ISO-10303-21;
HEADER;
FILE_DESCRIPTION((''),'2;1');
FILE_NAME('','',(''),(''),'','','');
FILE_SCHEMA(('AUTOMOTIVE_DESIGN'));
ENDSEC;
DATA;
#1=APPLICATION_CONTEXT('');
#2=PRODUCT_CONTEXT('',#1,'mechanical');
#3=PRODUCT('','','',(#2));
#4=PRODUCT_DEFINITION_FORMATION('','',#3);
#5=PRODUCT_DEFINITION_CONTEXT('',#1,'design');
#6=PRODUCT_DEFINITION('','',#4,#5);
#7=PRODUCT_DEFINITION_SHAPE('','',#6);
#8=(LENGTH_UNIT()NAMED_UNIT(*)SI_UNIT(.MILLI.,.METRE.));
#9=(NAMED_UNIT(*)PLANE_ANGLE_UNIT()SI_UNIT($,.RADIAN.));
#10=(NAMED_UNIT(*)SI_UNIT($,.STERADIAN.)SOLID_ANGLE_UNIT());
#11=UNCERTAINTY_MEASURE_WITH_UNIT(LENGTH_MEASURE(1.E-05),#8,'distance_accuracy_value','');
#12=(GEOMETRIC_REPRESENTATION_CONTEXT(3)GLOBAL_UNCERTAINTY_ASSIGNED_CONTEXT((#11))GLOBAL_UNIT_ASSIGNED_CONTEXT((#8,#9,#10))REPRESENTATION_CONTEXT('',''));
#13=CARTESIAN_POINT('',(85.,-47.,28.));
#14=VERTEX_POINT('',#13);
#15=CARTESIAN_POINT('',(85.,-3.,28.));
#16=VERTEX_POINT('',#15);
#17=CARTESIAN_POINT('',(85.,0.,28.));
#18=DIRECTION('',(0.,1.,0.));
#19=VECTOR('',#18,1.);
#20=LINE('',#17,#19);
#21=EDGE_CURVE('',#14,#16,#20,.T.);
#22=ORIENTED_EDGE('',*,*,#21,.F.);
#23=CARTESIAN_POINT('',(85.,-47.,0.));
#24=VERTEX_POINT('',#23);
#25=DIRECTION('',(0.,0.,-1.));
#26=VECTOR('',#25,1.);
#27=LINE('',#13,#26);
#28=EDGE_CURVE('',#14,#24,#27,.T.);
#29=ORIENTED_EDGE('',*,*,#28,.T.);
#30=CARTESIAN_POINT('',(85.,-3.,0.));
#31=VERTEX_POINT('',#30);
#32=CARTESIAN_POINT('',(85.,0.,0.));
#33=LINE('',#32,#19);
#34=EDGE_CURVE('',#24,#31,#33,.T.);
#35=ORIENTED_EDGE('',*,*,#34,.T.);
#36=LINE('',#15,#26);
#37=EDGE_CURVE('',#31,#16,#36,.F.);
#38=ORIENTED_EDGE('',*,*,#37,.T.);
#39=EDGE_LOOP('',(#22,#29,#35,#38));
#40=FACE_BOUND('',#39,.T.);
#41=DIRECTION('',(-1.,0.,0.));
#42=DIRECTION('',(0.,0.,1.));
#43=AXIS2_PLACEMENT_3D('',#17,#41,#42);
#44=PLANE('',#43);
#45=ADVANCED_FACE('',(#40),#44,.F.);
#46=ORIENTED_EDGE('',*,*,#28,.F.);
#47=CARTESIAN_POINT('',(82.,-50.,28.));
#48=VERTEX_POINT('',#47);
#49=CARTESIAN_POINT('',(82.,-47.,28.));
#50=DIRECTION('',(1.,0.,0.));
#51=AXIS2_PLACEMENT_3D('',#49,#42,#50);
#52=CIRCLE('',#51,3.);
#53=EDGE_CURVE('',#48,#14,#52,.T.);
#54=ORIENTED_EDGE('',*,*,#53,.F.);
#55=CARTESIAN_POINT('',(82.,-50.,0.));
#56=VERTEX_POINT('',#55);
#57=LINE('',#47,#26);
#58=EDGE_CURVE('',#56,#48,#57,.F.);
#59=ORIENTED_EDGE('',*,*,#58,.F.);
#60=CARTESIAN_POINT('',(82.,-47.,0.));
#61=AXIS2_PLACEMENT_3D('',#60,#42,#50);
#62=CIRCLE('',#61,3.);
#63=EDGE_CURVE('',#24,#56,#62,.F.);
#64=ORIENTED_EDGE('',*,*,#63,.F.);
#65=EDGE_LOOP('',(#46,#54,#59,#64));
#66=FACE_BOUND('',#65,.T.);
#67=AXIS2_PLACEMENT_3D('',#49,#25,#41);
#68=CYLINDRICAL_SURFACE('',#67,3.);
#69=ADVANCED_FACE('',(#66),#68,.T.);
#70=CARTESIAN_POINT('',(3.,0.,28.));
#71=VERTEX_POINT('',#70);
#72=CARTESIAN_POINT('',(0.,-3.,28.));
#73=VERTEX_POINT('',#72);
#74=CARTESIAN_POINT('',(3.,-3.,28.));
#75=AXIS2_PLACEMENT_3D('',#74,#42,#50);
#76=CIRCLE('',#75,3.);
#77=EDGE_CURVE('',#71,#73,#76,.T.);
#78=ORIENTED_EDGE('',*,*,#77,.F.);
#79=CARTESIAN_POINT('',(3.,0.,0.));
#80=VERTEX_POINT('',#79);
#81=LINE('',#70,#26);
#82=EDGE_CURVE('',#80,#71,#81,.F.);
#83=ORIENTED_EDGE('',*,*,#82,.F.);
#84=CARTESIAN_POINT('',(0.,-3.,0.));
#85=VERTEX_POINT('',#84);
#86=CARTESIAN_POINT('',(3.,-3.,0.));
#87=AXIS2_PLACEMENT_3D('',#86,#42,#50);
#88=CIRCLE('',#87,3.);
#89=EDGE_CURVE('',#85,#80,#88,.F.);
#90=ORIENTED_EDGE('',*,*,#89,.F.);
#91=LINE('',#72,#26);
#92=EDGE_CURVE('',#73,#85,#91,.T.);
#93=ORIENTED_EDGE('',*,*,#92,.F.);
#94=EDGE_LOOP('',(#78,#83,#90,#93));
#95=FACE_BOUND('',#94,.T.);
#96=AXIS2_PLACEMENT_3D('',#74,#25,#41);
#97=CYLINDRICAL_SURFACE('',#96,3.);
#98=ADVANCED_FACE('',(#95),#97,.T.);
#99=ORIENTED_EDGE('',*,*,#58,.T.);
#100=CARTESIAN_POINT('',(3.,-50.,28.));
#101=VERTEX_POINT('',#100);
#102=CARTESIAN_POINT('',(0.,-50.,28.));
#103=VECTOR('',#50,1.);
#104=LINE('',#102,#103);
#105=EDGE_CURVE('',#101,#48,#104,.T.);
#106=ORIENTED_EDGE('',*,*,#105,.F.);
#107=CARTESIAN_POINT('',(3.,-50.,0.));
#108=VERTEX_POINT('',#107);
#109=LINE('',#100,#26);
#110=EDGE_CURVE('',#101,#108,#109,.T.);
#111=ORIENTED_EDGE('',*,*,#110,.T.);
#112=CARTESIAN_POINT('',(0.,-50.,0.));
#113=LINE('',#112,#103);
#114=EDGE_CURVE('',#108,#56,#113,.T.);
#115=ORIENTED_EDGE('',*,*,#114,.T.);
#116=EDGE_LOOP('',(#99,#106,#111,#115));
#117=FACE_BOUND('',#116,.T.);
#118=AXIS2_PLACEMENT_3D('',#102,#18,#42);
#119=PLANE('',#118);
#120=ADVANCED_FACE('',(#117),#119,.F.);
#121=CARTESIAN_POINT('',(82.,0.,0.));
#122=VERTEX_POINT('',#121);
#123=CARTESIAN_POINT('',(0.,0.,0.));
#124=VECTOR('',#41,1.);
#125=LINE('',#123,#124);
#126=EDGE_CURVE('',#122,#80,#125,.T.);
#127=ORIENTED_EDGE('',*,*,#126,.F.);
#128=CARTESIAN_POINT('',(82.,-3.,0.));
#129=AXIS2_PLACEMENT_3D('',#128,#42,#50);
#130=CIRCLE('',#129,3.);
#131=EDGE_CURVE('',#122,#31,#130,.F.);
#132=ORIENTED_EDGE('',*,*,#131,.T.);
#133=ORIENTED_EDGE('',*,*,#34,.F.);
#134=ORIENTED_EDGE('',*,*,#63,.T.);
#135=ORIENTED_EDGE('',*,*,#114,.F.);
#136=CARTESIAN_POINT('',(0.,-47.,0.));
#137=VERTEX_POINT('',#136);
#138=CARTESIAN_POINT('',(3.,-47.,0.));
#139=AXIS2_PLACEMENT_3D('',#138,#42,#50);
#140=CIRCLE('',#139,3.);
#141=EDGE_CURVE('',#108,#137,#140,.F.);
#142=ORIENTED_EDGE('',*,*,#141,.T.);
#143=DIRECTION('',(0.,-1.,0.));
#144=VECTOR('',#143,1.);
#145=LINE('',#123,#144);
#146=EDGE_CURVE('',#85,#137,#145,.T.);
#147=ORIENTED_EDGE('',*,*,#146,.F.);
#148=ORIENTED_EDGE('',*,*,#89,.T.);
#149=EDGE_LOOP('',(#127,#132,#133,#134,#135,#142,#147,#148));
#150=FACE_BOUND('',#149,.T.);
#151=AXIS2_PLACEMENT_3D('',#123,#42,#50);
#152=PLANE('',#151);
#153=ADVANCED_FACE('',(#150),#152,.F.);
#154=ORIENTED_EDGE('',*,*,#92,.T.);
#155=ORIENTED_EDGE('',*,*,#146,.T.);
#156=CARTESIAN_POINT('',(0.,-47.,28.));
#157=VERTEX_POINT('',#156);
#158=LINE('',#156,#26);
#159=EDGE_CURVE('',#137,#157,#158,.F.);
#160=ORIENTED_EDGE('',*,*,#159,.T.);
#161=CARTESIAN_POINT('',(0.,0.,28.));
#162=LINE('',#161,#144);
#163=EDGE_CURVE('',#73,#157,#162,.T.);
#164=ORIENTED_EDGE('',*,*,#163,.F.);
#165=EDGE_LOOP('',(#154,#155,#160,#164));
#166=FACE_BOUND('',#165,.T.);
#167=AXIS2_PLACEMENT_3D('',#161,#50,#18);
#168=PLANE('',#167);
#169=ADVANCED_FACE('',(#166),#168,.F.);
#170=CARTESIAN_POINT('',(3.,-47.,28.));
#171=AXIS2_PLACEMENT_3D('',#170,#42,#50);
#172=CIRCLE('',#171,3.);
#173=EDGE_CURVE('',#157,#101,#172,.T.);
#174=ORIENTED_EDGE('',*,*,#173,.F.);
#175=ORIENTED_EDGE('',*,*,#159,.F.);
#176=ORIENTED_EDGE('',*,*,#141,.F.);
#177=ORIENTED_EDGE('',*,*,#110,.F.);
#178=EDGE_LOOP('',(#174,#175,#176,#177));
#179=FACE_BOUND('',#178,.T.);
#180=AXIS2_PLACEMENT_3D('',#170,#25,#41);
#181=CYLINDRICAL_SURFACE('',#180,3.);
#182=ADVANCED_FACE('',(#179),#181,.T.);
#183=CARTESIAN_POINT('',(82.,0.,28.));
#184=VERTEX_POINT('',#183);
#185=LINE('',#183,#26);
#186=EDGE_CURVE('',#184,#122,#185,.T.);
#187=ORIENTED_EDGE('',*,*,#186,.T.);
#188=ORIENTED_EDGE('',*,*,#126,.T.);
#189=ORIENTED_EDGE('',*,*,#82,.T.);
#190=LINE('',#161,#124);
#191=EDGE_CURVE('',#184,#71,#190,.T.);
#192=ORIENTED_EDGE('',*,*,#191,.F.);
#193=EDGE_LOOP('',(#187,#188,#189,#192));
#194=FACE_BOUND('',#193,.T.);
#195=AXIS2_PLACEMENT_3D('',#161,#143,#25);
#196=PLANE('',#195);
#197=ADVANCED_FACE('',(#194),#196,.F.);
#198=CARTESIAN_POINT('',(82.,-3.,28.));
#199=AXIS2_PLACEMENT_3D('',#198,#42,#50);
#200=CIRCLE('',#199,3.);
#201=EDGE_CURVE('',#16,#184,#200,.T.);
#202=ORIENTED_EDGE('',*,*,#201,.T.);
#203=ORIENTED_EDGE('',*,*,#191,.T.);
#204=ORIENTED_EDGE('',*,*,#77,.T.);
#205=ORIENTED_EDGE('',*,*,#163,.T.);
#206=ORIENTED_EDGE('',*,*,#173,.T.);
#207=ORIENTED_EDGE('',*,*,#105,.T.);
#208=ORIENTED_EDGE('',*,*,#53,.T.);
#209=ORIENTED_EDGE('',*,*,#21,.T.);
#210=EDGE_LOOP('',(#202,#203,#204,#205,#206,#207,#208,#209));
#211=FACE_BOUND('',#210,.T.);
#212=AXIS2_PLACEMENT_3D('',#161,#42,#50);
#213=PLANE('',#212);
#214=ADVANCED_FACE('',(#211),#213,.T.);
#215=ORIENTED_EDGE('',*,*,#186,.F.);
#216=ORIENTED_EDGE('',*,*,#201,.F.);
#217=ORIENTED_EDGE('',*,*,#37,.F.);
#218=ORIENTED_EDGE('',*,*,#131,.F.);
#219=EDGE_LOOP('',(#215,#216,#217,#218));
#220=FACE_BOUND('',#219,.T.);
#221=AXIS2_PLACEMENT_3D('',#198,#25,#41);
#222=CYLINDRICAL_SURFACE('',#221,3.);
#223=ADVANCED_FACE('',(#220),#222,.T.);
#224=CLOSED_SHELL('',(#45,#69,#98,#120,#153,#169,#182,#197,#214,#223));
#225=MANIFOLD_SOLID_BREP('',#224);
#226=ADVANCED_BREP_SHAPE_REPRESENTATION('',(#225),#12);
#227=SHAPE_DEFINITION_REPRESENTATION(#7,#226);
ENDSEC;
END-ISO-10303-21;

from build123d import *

# Parameters (mm, degrees)
ESQUISSE1_W        = 85
ESQUISSE1_H        = 50
BOSS_EXTRU_1_DEPTH = 28
CONG_1_R           = 3


with BuildPart() as part:
    # Esquisse1 → Boss.-Extru.1 (new body)
    with BuildSketch(Plane.XY):
        with Locations((42.5, -25)):
            Rectangle(ESQUISSE1_W, ESQUISSE1_H)
    extrude(amount=BOSS_EXTRU_1_DEPTH)

    # Congé1
    cong_1_edges = [part.edges().sort_by_distance(p)[0] for p in [
        (0, 0, 14),
        (85, 0, 14),
        (85, -50, 14),
        (0, -50, 14),
    ]]
    fillet(cong_1_edges, radius=CONG_1_R)


solid = part.part
